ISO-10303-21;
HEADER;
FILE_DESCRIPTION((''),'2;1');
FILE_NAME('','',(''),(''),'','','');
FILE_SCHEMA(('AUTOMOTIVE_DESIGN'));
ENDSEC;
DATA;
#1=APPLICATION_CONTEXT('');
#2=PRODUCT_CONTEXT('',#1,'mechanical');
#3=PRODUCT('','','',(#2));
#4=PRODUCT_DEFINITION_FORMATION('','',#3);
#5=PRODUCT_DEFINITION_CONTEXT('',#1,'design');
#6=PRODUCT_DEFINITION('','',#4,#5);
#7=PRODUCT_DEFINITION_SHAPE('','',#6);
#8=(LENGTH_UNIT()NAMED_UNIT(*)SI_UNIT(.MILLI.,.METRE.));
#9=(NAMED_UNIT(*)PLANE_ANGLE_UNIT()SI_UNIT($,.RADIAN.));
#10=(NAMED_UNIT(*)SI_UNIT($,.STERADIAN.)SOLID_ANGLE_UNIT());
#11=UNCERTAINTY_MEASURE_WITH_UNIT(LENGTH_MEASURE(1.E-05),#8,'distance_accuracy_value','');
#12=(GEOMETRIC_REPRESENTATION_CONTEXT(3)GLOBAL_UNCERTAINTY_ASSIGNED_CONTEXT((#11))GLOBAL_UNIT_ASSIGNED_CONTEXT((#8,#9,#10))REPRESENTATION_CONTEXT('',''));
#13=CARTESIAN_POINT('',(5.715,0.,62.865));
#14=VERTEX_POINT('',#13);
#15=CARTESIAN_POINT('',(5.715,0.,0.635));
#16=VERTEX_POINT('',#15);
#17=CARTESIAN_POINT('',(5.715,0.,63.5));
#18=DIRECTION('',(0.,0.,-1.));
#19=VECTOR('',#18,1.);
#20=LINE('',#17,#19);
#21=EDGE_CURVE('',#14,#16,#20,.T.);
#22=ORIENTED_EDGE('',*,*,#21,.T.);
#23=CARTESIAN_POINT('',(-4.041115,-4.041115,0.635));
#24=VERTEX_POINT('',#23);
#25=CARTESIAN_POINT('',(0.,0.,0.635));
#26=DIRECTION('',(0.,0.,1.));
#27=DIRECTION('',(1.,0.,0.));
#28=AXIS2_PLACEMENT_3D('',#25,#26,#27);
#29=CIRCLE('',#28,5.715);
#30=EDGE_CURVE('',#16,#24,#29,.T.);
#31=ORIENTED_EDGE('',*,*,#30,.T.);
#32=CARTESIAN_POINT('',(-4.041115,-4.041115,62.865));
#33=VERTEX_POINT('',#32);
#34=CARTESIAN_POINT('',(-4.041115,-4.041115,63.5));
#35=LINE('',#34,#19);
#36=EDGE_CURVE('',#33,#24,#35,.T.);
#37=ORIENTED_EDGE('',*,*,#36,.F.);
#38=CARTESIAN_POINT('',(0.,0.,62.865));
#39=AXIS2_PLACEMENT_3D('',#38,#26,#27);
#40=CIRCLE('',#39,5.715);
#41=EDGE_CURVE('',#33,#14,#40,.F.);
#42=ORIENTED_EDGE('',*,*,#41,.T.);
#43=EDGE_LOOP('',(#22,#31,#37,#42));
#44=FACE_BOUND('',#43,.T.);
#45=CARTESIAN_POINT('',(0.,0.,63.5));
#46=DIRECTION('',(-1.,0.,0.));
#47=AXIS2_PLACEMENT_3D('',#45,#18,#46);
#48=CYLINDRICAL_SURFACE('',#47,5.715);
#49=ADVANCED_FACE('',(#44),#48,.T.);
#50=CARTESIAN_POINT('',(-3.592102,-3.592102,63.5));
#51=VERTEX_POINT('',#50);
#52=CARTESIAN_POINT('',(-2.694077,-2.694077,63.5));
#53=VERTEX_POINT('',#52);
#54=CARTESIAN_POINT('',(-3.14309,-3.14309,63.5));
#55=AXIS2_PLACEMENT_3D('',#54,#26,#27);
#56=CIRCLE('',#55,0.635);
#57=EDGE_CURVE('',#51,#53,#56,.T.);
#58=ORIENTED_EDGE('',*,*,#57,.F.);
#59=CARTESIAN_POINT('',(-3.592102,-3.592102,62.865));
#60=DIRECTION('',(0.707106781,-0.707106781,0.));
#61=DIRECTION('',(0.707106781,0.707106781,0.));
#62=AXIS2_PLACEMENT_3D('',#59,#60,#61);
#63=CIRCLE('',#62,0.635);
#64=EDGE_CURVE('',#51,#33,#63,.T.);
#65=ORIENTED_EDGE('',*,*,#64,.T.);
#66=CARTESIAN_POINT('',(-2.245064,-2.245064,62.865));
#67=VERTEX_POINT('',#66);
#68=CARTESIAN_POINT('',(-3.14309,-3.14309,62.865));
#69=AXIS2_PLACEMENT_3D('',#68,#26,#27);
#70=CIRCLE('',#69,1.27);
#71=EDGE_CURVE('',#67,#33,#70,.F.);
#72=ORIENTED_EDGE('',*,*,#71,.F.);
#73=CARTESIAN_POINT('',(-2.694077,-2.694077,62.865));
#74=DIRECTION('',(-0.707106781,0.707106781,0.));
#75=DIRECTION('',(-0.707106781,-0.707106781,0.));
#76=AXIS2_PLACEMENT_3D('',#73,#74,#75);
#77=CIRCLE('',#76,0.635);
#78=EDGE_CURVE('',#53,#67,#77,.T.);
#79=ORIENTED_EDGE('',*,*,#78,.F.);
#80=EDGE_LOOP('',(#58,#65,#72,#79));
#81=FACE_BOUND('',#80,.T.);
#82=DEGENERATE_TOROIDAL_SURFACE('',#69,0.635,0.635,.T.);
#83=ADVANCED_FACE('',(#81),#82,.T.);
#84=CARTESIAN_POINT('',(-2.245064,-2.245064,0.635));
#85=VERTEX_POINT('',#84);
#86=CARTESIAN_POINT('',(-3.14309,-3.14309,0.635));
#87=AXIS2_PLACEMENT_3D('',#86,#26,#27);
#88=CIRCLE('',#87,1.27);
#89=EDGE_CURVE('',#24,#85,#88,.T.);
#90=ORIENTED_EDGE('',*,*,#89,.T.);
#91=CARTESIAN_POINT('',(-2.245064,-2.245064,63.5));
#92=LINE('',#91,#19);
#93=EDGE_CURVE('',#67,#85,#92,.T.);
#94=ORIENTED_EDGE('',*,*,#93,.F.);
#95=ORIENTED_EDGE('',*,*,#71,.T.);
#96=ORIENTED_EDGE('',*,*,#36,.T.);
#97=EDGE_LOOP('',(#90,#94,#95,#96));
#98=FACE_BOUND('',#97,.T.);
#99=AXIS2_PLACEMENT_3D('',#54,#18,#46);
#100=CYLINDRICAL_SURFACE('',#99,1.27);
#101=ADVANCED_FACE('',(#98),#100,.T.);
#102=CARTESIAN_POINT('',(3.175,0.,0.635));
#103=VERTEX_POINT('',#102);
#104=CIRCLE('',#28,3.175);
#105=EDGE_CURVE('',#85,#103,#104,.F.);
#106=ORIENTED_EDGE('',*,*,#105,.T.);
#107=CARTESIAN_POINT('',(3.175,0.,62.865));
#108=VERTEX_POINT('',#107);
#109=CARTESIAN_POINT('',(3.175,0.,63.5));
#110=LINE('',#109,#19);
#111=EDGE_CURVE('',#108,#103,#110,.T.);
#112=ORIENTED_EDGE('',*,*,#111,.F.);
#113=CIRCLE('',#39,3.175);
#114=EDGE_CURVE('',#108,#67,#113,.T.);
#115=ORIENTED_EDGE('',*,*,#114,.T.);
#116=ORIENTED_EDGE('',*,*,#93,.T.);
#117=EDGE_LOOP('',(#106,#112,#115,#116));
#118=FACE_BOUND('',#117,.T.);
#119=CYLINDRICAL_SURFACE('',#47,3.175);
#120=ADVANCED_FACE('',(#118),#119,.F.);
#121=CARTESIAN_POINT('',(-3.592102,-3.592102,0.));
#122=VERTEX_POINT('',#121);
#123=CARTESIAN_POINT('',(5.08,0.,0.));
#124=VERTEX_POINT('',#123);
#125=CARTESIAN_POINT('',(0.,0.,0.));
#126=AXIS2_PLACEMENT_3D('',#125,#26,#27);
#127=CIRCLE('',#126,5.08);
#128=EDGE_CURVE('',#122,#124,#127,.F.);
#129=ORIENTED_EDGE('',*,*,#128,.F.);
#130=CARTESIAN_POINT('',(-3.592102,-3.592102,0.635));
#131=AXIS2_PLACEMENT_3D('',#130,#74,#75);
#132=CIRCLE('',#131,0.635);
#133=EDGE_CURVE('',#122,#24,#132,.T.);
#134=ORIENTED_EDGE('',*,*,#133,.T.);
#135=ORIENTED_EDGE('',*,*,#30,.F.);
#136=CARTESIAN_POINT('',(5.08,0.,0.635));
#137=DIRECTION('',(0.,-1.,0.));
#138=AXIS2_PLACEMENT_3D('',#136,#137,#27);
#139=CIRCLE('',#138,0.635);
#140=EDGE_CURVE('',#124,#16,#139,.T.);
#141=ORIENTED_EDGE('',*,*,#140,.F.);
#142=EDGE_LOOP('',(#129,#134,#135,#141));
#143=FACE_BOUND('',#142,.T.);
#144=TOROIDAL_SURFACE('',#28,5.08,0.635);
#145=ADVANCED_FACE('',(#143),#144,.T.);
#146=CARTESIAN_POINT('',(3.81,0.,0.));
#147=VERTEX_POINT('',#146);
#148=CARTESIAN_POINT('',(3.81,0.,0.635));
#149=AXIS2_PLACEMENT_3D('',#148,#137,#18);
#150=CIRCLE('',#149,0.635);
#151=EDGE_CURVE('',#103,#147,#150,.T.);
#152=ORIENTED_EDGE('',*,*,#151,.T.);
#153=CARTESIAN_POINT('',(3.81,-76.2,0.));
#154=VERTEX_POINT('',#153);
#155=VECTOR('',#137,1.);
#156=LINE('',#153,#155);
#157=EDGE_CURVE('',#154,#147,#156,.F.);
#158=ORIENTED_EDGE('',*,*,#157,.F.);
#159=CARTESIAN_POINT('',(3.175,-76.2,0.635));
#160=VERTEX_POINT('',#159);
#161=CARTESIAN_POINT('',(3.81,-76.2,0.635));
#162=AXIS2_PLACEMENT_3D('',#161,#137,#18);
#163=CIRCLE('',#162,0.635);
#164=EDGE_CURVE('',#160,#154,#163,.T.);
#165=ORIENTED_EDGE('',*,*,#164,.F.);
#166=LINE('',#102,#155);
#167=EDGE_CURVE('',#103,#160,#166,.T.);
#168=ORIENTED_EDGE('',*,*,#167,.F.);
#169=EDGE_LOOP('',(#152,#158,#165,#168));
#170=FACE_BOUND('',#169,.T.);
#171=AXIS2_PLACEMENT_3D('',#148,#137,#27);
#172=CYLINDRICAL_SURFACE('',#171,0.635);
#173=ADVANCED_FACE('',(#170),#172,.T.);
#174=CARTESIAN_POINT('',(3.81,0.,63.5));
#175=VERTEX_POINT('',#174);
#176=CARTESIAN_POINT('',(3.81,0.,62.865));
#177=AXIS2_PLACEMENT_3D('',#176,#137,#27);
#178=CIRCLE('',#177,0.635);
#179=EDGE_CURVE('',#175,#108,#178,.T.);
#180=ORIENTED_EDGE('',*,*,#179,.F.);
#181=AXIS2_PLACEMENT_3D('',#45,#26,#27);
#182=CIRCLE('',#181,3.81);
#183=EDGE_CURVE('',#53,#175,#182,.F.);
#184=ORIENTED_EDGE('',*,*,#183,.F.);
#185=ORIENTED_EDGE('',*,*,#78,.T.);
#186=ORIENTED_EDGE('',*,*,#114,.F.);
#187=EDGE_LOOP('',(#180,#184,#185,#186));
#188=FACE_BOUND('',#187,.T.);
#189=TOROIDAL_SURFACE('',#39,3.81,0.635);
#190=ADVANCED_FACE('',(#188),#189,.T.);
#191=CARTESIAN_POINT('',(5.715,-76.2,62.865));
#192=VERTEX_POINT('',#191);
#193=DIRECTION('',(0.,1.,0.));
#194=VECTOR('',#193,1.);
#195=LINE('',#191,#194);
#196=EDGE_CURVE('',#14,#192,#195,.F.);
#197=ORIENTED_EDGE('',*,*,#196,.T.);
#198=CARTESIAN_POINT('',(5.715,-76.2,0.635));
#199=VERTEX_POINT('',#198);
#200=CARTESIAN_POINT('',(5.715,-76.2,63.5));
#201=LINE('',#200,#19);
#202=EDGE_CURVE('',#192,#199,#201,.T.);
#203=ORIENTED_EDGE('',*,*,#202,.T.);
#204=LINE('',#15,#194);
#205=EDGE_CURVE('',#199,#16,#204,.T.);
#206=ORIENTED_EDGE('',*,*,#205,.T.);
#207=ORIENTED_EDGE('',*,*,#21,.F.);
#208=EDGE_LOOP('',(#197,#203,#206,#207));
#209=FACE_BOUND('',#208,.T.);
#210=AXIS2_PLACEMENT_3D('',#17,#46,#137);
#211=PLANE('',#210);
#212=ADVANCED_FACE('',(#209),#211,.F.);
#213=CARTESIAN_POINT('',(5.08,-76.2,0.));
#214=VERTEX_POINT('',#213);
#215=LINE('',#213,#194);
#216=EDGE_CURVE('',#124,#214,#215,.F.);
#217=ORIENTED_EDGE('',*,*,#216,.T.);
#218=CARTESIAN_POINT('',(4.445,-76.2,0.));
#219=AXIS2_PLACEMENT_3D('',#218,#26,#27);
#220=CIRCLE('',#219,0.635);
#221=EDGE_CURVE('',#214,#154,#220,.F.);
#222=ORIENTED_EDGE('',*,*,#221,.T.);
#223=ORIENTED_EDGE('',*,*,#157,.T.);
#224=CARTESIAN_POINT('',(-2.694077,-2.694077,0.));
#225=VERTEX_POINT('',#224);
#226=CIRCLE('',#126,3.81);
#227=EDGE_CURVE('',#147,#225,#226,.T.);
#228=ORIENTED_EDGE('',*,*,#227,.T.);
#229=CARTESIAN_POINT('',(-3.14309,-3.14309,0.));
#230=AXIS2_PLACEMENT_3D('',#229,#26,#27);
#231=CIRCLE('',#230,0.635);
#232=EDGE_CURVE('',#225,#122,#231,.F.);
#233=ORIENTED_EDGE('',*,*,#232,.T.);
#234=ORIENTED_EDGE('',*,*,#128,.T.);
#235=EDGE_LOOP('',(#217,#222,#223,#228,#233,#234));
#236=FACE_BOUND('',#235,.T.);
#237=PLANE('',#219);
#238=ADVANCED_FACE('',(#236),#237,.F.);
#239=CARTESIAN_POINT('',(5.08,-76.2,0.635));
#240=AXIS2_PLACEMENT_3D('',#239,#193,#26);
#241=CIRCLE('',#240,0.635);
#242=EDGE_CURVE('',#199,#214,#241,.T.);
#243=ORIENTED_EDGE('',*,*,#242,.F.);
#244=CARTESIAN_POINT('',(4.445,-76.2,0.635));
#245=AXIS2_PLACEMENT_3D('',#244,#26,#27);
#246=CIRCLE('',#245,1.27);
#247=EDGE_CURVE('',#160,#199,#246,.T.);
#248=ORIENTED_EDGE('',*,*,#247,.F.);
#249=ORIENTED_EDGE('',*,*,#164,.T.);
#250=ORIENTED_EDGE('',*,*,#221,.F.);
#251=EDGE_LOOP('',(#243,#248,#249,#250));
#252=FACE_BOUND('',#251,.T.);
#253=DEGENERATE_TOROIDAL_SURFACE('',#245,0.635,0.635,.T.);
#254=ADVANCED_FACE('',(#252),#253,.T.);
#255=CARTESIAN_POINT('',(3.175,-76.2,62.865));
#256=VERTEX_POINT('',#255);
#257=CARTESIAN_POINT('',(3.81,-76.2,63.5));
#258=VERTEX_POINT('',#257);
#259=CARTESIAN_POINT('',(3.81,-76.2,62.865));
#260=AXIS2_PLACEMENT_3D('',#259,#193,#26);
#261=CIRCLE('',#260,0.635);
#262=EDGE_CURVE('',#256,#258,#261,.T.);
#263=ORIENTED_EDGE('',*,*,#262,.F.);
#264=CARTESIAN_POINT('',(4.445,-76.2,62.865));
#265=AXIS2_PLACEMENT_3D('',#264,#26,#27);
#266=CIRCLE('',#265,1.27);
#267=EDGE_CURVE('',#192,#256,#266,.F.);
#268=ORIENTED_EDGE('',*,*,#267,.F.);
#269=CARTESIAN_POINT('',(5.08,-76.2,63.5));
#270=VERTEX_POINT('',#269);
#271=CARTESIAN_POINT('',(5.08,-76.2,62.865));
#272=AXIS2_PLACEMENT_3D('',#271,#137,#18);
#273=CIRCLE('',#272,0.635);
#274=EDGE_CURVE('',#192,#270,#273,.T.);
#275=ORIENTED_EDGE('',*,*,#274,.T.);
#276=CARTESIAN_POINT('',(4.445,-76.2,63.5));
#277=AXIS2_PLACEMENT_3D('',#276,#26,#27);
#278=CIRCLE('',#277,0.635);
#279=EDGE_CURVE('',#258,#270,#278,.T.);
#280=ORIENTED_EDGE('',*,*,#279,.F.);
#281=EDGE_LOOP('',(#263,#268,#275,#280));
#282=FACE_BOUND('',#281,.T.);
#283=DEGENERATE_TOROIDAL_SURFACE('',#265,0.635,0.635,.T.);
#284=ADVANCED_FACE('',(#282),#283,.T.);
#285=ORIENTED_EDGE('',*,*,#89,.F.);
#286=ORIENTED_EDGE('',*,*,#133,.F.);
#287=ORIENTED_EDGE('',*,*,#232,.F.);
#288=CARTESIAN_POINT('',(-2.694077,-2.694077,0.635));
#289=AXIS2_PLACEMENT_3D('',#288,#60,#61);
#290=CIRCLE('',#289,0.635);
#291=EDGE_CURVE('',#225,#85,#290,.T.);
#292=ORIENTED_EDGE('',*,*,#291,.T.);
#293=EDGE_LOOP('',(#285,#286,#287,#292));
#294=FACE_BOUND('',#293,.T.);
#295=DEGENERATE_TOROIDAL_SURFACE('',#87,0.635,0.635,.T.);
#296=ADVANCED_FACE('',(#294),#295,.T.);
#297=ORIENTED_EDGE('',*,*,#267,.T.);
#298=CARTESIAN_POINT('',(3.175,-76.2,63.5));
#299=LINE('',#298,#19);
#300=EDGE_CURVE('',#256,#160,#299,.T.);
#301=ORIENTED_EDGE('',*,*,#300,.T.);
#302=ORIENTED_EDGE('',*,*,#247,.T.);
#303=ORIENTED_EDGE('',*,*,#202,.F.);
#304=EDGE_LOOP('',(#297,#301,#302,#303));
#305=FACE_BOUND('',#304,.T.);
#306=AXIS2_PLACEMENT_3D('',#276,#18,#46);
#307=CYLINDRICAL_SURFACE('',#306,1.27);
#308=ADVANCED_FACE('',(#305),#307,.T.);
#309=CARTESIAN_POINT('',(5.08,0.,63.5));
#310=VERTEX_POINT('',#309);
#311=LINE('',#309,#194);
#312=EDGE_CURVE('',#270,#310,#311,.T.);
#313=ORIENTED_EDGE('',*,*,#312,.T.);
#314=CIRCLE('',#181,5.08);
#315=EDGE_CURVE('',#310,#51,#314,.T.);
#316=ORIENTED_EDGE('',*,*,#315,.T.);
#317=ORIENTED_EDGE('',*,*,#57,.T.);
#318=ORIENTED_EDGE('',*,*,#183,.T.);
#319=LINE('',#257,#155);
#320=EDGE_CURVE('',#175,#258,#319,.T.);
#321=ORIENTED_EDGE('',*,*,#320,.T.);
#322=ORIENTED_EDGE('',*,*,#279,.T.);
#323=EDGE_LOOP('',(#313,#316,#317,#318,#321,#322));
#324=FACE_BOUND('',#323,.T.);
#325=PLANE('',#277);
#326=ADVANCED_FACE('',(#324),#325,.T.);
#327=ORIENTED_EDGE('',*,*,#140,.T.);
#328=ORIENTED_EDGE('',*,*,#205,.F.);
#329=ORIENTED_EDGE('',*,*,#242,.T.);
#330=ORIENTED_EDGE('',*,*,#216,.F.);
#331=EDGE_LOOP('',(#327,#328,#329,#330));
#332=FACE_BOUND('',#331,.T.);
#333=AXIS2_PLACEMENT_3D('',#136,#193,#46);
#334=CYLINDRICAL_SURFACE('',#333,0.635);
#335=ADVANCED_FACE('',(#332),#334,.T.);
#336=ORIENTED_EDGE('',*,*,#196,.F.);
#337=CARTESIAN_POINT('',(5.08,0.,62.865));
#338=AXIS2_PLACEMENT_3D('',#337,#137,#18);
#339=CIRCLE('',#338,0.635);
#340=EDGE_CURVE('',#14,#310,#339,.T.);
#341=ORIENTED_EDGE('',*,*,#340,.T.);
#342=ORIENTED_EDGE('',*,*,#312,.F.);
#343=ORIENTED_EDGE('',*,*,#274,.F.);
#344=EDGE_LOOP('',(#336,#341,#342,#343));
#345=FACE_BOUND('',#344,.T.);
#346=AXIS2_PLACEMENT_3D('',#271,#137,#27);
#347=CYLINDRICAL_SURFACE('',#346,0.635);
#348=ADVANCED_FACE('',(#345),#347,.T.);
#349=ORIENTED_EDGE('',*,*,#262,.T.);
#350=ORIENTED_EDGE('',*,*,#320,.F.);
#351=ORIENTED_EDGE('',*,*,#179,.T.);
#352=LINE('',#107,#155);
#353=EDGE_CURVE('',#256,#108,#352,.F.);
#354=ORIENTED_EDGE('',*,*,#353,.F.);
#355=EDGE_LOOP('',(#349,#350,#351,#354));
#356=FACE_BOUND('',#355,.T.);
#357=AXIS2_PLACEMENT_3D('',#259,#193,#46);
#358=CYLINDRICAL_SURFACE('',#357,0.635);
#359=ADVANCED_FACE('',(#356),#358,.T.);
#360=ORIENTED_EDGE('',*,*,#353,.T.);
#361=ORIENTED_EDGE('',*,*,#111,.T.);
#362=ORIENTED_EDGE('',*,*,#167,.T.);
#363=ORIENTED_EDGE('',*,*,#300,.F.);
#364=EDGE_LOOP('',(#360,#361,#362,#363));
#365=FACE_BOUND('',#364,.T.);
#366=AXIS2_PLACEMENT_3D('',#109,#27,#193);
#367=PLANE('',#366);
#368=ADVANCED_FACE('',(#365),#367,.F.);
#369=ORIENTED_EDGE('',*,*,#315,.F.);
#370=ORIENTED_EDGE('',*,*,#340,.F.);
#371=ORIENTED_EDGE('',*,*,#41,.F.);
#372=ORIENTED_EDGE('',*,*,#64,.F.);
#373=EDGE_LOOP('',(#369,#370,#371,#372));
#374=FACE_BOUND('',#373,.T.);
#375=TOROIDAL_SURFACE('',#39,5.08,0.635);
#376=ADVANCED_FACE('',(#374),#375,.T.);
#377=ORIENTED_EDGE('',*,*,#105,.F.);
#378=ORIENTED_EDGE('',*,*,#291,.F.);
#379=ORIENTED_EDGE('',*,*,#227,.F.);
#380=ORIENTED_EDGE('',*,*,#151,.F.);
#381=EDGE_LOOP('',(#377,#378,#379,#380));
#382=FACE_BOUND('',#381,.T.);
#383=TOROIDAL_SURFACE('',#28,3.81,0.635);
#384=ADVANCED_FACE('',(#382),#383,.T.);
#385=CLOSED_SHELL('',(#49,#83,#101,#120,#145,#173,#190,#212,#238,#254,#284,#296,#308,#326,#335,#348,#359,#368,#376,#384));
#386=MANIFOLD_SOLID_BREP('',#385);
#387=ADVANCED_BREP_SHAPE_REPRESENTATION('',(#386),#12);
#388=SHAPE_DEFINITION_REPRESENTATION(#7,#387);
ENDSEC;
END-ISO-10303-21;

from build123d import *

# Parameters (mm, degrees)
BOSS_EXTRUDE1_DEPTH = 63.5
FILLET1_R           = 0.635


with BuildPart() as part:
    # Sketch1 → Boss-Extrude1 (new body)
    with BuildSketch(Plane.XY):
        with BuildLine():
            Line((3.175, 0), (3.175, -76.2))
            ThreePointArc((3.175, -76.2), (4.445, -77.47), (5.715, -76.2))
            Line((5.715, -76.2), (5.715, 0))
            ThreePointArc((5.715, 0), (-2.187035816, 5.279971528), (-4.041115254, -4.041115254))
            ThreePointArc((-4.041115254, -4.041115254), (-2.24506403, -4.041115254), (-2.24506403, -2.24506403))
            ThreePointArc((-2.24506403, -2.24506403), (-1.215019898, 2.933317516), (3.175, 0))
        make_face()
    extrude(amount=BOSS_EXTRUDE1_DEPTH)

    # Fillet1
    fillet1_edges = [part.edges().sort_by_distance(p)[0] for p in [
        (-2.187035816, 5.279971528, 63.5),
        (-2.24506403, -4.041115254, 63.5),
        (-1.215019898, 2.933317516, 63.5),
        (3.175, -38.1, 63.5),
        (4.445, -77.47, 63.5),
        (3.175, -38.1, 0),
        (-1.215019898, 2.933317516, 0),
        (-2.24506403, -4.041115254, 0),
        (5.715, -38.1, 63.5),
        (-2.187035816, 5.279971528, 0),
        (5.715, -38.1, 0),
        (4.445, -77.47, 0),
    ]]
    fillet(fillet1_edges, radius=FILLET1_R)


solid = part.part
